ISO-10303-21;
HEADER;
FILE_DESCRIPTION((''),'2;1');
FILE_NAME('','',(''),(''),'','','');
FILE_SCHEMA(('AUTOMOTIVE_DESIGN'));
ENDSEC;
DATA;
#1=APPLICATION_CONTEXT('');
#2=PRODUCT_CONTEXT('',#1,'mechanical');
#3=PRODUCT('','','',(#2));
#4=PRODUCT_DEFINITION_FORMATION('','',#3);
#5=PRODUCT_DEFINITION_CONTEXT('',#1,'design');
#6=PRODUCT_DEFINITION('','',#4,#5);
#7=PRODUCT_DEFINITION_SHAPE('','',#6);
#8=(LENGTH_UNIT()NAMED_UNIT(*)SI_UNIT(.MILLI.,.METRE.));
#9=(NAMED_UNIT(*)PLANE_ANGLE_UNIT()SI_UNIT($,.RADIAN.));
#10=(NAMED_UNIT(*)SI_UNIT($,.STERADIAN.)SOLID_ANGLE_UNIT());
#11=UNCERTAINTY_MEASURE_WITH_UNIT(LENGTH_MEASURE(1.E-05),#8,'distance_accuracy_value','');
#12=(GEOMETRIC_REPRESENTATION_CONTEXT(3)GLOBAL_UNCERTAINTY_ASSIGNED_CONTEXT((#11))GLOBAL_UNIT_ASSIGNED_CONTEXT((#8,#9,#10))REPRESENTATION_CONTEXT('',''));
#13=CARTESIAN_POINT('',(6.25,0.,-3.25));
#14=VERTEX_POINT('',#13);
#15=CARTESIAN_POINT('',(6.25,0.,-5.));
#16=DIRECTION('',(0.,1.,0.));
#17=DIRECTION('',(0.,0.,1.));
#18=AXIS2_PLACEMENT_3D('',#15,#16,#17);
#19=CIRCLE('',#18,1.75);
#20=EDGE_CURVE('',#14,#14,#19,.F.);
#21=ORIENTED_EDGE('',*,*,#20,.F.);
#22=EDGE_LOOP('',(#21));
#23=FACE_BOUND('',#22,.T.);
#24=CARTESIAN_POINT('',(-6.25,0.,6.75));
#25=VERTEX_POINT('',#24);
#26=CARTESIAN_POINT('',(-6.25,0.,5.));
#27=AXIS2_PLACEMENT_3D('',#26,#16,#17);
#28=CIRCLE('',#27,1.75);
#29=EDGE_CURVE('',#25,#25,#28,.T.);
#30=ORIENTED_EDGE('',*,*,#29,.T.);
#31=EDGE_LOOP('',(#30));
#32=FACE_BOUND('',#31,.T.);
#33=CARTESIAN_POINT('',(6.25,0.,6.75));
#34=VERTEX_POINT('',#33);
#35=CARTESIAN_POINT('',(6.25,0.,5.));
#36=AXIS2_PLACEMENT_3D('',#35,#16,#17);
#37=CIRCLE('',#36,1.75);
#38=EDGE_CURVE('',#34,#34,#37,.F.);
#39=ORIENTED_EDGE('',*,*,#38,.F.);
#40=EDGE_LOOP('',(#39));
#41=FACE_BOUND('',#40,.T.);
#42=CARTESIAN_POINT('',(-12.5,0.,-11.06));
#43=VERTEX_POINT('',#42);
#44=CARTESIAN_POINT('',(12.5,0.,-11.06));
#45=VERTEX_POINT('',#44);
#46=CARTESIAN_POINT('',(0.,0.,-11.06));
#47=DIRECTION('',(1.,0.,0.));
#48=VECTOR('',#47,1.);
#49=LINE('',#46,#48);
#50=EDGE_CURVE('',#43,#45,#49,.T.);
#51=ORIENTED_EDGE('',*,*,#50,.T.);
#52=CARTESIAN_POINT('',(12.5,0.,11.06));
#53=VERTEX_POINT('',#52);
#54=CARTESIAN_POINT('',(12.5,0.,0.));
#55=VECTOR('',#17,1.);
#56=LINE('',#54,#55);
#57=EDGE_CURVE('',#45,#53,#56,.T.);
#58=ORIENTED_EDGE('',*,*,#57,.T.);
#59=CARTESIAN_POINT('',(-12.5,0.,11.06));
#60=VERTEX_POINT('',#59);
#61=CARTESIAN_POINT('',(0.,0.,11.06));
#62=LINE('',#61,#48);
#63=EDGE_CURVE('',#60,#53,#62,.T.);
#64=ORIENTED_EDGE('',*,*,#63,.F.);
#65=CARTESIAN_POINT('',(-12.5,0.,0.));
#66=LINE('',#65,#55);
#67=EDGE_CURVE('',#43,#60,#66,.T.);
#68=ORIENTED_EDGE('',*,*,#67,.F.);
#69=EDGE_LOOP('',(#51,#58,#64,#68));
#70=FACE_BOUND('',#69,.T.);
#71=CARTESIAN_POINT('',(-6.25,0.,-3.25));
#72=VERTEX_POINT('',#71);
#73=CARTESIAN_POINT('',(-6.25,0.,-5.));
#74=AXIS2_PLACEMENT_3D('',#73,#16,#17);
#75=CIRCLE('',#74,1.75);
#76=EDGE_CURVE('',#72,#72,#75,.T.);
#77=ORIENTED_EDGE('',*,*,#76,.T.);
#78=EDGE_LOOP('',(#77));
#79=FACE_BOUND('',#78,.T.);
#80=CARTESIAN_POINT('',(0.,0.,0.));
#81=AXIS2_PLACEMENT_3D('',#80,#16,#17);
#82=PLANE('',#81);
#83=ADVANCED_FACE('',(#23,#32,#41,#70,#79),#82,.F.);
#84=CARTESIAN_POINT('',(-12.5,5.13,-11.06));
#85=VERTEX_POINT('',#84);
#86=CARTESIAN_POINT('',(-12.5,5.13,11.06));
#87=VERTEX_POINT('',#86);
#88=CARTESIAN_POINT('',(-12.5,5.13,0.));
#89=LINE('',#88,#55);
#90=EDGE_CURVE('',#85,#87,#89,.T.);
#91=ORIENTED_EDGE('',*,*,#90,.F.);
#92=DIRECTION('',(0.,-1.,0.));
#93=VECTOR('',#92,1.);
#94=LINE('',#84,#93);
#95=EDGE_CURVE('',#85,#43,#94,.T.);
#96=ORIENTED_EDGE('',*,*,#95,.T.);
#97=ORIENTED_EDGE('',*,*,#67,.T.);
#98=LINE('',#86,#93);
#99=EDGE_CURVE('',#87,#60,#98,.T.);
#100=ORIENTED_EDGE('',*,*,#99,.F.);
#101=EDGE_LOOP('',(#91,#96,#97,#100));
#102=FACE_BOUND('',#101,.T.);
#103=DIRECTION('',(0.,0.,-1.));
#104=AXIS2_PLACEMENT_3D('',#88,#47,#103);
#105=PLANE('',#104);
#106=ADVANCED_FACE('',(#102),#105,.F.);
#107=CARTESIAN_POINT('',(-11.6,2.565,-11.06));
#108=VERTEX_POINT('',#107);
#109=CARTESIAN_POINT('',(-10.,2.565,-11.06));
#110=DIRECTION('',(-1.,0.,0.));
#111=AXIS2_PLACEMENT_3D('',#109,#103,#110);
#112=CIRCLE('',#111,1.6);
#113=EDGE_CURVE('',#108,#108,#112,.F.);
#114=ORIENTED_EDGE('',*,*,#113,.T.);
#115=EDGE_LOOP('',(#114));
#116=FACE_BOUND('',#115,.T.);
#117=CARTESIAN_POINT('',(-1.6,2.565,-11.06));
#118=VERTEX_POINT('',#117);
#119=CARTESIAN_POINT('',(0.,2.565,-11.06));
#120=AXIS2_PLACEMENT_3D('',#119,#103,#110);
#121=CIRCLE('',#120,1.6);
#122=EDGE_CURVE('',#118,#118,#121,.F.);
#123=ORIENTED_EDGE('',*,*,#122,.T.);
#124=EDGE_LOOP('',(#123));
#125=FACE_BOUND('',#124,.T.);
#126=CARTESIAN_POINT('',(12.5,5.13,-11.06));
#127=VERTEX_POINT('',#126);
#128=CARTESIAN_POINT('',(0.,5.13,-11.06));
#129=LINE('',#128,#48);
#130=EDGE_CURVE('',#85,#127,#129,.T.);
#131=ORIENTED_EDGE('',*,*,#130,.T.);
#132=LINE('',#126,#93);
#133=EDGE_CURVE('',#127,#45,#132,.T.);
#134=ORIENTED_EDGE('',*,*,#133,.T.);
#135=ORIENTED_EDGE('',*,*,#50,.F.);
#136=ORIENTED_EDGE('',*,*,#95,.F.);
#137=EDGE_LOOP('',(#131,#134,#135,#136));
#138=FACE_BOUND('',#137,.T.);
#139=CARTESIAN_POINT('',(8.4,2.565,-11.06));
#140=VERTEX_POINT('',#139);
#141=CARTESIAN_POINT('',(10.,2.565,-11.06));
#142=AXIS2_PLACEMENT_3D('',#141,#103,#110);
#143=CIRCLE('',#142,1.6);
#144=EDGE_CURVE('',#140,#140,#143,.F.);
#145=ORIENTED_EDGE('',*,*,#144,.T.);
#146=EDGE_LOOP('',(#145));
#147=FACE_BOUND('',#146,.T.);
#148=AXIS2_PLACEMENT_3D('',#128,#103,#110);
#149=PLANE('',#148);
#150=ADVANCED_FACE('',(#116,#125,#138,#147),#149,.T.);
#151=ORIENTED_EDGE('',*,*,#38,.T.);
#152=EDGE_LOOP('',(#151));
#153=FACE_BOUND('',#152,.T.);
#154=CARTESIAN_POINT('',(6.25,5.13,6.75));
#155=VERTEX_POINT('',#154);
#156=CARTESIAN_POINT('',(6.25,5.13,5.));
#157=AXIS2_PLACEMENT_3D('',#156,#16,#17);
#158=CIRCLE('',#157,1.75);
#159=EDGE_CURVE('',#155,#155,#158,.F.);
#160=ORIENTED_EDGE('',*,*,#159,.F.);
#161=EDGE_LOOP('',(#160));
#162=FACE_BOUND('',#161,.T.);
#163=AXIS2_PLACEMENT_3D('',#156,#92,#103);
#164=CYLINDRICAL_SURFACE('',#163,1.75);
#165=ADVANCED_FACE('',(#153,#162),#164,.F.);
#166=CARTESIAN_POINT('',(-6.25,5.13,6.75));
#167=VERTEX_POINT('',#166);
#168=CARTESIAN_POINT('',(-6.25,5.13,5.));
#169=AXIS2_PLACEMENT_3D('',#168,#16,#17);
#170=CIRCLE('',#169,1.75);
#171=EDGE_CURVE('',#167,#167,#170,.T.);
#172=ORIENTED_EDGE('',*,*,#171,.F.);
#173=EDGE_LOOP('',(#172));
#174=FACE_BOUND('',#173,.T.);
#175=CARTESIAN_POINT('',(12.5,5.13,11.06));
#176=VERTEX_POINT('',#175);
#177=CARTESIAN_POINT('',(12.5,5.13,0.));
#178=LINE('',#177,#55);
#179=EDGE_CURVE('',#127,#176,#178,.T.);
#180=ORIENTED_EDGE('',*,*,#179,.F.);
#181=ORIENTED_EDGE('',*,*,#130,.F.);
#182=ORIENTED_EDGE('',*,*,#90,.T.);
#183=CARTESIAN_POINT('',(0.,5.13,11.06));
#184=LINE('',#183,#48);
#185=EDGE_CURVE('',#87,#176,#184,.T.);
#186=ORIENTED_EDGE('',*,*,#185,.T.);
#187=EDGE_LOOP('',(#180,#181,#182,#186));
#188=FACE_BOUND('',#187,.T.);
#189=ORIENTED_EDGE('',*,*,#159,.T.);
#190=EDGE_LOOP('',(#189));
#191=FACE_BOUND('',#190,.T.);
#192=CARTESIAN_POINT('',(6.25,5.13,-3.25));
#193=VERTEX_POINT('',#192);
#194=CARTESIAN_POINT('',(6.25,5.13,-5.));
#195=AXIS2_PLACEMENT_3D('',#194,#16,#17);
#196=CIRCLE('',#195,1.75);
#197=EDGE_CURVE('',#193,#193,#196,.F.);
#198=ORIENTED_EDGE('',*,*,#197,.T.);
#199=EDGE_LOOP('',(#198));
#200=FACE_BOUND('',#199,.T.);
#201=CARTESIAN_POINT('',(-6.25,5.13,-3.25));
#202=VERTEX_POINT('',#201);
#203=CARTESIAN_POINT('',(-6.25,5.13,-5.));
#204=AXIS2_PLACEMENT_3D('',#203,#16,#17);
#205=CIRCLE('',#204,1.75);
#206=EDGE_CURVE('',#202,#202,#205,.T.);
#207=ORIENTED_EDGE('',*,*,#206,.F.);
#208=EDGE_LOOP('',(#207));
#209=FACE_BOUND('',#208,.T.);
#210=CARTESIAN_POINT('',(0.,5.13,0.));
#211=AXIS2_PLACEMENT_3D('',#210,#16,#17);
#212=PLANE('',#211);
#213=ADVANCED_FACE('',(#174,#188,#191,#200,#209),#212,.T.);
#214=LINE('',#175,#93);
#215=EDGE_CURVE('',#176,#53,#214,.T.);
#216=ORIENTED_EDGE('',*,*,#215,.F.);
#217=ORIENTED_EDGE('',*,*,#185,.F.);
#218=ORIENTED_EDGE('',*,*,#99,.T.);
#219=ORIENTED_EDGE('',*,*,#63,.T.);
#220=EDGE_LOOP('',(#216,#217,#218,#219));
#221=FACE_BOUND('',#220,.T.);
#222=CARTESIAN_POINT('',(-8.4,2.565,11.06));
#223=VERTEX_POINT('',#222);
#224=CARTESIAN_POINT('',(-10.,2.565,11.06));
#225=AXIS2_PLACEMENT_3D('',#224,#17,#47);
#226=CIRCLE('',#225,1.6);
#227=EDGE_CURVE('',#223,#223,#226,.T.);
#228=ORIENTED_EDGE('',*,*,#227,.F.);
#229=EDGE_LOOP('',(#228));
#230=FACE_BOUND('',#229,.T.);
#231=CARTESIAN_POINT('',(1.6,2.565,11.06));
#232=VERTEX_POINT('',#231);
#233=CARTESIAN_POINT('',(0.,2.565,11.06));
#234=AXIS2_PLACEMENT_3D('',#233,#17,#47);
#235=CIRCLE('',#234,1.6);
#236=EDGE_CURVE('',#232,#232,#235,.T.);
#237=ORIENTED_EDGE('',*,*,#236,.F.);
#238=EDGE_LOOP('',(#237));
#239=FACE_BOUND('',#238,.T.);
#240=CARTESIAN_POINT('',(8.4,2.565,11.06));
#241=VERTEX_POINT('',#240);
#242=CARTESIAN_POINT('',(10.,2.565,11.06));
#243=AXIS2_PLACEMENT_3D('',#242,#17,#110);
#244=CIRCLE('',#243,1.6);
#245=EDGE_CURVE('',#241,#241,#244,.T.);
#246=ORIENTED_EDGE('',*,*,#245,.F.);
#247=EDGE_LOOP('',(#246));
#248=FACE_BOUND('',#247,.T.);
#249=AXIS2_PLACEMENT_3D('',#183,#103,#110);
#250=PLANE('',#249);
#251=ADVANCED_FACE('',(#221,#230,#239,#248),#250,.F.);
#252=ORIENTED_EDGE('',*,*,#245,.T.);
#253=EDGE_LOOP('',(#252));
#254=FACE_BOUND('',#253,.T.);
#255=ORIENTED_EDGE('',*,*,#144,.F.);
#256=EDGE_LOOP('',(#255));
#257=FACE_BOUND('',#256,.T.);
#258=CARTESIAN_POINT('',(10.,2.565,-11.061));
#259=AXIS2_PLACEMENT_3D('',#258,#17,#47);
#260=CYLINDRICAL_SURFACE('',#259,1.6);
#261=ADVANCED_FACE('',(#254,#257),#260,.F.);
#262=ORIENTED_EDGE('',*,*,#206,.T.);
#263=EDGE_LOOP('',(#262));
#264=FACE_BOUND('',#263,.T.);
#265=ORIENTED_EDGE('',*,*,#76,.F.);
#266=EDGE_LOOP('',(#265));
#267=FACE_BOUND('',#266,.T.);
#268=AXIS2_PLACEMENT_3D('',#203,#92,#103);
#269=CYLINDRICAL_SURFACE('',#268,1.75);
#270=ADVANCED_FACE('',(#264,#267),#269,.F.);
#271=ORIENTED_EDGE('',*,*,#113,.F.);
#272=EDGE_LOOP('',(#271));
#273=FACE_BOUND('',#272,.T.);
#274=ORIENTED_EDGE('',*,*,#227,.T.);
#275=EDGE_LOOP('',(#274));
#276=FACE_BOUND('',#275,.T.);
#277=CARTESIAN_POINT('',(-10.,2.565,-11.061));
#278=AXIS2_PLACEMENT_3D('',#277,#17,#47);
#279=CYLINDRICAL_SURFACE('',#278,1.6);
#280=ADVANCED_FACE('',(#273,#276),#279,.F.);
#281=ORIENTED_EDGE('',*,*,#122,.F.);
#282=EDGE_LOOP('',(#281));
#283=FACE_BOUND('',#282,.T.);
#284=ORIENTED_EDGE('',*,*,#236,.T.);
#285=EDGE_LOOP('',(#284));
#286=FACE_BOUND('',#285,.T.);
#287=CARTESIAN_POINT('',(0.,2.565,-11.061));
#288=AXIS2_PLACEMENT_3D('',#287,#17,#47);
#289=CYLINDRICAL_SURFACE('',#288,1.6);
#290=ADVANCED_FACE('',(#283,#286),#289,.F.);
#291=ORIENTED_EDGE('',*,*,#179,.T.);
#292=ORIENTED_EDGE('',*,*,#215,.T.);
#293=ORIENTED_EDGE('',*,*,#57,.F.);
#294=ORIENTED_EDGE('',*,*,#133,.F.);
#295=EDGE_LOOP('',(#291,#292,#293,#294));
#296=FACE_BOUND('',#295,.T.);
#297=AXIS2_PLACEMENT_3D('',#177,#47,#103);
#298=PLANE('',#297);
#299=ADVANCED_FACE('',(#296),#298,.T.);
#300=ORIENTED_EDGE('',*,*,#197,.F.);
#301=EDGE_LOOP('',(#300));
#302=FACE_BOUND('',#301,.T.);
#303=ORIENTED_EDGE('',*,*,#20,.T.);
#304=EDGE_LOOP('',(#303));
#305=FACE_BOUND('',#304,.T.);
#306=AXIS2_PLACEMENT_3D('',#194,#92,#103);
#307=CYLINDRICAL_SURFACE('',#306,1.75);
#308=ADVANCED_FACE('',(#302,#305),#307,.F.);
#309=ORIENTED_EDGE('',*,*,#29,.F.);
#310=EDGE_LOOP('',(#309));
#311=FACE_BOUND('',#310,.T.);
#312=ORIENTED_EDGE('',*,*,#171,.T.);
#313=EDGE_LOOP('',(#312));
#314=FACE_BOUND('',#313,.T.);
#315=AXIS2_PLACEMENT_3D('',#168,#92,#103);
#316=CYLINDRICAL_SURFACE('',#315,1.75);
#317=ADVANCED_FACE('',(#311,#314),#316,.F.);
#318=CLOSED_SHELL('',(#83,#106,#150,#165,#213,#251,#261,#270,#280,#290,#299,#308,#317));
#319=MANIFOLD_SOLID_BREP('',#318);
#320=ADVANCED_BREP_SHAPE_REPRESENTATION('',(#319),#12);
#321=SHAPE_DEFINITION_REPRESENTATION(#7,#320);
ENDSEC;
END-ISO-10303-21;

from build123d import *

# Parameters (mm, degrees)
SKETCH1_W           = 25
SKETCH1_H           = 22.12
SKETCH1_R           = 1.75
BOSS_EXTRUDE1_DEPTH = 5.13
CUT_EXTRUDE1_REACH  = 27.92
SKETCH2_R           = 1.6


with BuildPart() as part:
    # Sketch1 → Boss-Extrude1 (new body)
    with BuildSketch(Plane(origin=(0, 0, 0), x_dir=(1, 0, 0), z_dir=(0, 1, 0))):
        Rectangle(SKETCH1_W, SKETCH1_H)
        with Locations((-6.25, -5)):
            Circle(SKETCH1_R, mode=Mode.SUBTRACT)
        with Locations((6.25, -5)):
            Circle(SKETCH1_R, mode=Mode.SUBTRACT)
        with Locations((-6.25, 5)):
            Circle(SKETCH1_R, mode=Mode.SUBTRACT)
        with Locations((6.25, 5)):
            Circle(SKETCH1_R, mode=Mode.SUBTRACT)
    extrude(amount=BOSS_EXTRUDE1_DEPTH)

    # Sketch2 → Cut-Extrude1 (cut, up to next)
    with BuildSketch(Plane.XY.offset(11.06), mode=Mode.PRIVATE) as cut_extrude1_sk1:
        with Locations((0, 2.565)):
            Circle(SKETCH2_R)
    cut_extrude1_tool1 = extrude(cut_extrude1_sk1.sketch, amount=-CUT_EXTRUDE1_REACH, mode=Mode.PRIVATE) & part.part
    # Sketch2 → Cut-Extrude1 (cut, up to next)
    with BuildSketch(Plane.XY.offset(11.06), mode=Mode.PRIVATE) as cut_extrude1_sk2:
        with Locations((-10, 2.565)):
            Circle(SKETCH2_R)
    cut_extrude1_tool2 = extrude(cut_extrude1_sk2.sketch, amount=-CUT_EXTRUDE1_REACH, mode=Mode.PRIVATE) & part.part
    # Sketch2 → Cut-Extrude1 (cut, up to next)
    with BuildSketch(Plane.XY.offset(11.06), mode=Mode.PRIVATE) as cut_extrude1_sk3:
        with Locations((10, 2.565)):
            Circle(SKETCH2_R)
    cut_extrude1_tool3 = extrude(cut_extrude1_sk3.sketch, amount=-CUT_EXTRUDE1_REACH, mode=Mode.PRIVATE) & part.part
    add(cut_extrude1_tool1.solids().sort_by_distance((0, 2.565, 11.06))[0], mode=Mode.SUBTRACT)
    add(cut_extrude1_tool2.solids().sort_by_distance((-10, 2.565, 11.06))[0], mode=Mode.SUBTRACT)
    add(cut_extrude1_tool3.solids().sort_by_distance((10, 2.565, 11.06))[0], mode=Mode.SUBTRACT)


solid = part.part
